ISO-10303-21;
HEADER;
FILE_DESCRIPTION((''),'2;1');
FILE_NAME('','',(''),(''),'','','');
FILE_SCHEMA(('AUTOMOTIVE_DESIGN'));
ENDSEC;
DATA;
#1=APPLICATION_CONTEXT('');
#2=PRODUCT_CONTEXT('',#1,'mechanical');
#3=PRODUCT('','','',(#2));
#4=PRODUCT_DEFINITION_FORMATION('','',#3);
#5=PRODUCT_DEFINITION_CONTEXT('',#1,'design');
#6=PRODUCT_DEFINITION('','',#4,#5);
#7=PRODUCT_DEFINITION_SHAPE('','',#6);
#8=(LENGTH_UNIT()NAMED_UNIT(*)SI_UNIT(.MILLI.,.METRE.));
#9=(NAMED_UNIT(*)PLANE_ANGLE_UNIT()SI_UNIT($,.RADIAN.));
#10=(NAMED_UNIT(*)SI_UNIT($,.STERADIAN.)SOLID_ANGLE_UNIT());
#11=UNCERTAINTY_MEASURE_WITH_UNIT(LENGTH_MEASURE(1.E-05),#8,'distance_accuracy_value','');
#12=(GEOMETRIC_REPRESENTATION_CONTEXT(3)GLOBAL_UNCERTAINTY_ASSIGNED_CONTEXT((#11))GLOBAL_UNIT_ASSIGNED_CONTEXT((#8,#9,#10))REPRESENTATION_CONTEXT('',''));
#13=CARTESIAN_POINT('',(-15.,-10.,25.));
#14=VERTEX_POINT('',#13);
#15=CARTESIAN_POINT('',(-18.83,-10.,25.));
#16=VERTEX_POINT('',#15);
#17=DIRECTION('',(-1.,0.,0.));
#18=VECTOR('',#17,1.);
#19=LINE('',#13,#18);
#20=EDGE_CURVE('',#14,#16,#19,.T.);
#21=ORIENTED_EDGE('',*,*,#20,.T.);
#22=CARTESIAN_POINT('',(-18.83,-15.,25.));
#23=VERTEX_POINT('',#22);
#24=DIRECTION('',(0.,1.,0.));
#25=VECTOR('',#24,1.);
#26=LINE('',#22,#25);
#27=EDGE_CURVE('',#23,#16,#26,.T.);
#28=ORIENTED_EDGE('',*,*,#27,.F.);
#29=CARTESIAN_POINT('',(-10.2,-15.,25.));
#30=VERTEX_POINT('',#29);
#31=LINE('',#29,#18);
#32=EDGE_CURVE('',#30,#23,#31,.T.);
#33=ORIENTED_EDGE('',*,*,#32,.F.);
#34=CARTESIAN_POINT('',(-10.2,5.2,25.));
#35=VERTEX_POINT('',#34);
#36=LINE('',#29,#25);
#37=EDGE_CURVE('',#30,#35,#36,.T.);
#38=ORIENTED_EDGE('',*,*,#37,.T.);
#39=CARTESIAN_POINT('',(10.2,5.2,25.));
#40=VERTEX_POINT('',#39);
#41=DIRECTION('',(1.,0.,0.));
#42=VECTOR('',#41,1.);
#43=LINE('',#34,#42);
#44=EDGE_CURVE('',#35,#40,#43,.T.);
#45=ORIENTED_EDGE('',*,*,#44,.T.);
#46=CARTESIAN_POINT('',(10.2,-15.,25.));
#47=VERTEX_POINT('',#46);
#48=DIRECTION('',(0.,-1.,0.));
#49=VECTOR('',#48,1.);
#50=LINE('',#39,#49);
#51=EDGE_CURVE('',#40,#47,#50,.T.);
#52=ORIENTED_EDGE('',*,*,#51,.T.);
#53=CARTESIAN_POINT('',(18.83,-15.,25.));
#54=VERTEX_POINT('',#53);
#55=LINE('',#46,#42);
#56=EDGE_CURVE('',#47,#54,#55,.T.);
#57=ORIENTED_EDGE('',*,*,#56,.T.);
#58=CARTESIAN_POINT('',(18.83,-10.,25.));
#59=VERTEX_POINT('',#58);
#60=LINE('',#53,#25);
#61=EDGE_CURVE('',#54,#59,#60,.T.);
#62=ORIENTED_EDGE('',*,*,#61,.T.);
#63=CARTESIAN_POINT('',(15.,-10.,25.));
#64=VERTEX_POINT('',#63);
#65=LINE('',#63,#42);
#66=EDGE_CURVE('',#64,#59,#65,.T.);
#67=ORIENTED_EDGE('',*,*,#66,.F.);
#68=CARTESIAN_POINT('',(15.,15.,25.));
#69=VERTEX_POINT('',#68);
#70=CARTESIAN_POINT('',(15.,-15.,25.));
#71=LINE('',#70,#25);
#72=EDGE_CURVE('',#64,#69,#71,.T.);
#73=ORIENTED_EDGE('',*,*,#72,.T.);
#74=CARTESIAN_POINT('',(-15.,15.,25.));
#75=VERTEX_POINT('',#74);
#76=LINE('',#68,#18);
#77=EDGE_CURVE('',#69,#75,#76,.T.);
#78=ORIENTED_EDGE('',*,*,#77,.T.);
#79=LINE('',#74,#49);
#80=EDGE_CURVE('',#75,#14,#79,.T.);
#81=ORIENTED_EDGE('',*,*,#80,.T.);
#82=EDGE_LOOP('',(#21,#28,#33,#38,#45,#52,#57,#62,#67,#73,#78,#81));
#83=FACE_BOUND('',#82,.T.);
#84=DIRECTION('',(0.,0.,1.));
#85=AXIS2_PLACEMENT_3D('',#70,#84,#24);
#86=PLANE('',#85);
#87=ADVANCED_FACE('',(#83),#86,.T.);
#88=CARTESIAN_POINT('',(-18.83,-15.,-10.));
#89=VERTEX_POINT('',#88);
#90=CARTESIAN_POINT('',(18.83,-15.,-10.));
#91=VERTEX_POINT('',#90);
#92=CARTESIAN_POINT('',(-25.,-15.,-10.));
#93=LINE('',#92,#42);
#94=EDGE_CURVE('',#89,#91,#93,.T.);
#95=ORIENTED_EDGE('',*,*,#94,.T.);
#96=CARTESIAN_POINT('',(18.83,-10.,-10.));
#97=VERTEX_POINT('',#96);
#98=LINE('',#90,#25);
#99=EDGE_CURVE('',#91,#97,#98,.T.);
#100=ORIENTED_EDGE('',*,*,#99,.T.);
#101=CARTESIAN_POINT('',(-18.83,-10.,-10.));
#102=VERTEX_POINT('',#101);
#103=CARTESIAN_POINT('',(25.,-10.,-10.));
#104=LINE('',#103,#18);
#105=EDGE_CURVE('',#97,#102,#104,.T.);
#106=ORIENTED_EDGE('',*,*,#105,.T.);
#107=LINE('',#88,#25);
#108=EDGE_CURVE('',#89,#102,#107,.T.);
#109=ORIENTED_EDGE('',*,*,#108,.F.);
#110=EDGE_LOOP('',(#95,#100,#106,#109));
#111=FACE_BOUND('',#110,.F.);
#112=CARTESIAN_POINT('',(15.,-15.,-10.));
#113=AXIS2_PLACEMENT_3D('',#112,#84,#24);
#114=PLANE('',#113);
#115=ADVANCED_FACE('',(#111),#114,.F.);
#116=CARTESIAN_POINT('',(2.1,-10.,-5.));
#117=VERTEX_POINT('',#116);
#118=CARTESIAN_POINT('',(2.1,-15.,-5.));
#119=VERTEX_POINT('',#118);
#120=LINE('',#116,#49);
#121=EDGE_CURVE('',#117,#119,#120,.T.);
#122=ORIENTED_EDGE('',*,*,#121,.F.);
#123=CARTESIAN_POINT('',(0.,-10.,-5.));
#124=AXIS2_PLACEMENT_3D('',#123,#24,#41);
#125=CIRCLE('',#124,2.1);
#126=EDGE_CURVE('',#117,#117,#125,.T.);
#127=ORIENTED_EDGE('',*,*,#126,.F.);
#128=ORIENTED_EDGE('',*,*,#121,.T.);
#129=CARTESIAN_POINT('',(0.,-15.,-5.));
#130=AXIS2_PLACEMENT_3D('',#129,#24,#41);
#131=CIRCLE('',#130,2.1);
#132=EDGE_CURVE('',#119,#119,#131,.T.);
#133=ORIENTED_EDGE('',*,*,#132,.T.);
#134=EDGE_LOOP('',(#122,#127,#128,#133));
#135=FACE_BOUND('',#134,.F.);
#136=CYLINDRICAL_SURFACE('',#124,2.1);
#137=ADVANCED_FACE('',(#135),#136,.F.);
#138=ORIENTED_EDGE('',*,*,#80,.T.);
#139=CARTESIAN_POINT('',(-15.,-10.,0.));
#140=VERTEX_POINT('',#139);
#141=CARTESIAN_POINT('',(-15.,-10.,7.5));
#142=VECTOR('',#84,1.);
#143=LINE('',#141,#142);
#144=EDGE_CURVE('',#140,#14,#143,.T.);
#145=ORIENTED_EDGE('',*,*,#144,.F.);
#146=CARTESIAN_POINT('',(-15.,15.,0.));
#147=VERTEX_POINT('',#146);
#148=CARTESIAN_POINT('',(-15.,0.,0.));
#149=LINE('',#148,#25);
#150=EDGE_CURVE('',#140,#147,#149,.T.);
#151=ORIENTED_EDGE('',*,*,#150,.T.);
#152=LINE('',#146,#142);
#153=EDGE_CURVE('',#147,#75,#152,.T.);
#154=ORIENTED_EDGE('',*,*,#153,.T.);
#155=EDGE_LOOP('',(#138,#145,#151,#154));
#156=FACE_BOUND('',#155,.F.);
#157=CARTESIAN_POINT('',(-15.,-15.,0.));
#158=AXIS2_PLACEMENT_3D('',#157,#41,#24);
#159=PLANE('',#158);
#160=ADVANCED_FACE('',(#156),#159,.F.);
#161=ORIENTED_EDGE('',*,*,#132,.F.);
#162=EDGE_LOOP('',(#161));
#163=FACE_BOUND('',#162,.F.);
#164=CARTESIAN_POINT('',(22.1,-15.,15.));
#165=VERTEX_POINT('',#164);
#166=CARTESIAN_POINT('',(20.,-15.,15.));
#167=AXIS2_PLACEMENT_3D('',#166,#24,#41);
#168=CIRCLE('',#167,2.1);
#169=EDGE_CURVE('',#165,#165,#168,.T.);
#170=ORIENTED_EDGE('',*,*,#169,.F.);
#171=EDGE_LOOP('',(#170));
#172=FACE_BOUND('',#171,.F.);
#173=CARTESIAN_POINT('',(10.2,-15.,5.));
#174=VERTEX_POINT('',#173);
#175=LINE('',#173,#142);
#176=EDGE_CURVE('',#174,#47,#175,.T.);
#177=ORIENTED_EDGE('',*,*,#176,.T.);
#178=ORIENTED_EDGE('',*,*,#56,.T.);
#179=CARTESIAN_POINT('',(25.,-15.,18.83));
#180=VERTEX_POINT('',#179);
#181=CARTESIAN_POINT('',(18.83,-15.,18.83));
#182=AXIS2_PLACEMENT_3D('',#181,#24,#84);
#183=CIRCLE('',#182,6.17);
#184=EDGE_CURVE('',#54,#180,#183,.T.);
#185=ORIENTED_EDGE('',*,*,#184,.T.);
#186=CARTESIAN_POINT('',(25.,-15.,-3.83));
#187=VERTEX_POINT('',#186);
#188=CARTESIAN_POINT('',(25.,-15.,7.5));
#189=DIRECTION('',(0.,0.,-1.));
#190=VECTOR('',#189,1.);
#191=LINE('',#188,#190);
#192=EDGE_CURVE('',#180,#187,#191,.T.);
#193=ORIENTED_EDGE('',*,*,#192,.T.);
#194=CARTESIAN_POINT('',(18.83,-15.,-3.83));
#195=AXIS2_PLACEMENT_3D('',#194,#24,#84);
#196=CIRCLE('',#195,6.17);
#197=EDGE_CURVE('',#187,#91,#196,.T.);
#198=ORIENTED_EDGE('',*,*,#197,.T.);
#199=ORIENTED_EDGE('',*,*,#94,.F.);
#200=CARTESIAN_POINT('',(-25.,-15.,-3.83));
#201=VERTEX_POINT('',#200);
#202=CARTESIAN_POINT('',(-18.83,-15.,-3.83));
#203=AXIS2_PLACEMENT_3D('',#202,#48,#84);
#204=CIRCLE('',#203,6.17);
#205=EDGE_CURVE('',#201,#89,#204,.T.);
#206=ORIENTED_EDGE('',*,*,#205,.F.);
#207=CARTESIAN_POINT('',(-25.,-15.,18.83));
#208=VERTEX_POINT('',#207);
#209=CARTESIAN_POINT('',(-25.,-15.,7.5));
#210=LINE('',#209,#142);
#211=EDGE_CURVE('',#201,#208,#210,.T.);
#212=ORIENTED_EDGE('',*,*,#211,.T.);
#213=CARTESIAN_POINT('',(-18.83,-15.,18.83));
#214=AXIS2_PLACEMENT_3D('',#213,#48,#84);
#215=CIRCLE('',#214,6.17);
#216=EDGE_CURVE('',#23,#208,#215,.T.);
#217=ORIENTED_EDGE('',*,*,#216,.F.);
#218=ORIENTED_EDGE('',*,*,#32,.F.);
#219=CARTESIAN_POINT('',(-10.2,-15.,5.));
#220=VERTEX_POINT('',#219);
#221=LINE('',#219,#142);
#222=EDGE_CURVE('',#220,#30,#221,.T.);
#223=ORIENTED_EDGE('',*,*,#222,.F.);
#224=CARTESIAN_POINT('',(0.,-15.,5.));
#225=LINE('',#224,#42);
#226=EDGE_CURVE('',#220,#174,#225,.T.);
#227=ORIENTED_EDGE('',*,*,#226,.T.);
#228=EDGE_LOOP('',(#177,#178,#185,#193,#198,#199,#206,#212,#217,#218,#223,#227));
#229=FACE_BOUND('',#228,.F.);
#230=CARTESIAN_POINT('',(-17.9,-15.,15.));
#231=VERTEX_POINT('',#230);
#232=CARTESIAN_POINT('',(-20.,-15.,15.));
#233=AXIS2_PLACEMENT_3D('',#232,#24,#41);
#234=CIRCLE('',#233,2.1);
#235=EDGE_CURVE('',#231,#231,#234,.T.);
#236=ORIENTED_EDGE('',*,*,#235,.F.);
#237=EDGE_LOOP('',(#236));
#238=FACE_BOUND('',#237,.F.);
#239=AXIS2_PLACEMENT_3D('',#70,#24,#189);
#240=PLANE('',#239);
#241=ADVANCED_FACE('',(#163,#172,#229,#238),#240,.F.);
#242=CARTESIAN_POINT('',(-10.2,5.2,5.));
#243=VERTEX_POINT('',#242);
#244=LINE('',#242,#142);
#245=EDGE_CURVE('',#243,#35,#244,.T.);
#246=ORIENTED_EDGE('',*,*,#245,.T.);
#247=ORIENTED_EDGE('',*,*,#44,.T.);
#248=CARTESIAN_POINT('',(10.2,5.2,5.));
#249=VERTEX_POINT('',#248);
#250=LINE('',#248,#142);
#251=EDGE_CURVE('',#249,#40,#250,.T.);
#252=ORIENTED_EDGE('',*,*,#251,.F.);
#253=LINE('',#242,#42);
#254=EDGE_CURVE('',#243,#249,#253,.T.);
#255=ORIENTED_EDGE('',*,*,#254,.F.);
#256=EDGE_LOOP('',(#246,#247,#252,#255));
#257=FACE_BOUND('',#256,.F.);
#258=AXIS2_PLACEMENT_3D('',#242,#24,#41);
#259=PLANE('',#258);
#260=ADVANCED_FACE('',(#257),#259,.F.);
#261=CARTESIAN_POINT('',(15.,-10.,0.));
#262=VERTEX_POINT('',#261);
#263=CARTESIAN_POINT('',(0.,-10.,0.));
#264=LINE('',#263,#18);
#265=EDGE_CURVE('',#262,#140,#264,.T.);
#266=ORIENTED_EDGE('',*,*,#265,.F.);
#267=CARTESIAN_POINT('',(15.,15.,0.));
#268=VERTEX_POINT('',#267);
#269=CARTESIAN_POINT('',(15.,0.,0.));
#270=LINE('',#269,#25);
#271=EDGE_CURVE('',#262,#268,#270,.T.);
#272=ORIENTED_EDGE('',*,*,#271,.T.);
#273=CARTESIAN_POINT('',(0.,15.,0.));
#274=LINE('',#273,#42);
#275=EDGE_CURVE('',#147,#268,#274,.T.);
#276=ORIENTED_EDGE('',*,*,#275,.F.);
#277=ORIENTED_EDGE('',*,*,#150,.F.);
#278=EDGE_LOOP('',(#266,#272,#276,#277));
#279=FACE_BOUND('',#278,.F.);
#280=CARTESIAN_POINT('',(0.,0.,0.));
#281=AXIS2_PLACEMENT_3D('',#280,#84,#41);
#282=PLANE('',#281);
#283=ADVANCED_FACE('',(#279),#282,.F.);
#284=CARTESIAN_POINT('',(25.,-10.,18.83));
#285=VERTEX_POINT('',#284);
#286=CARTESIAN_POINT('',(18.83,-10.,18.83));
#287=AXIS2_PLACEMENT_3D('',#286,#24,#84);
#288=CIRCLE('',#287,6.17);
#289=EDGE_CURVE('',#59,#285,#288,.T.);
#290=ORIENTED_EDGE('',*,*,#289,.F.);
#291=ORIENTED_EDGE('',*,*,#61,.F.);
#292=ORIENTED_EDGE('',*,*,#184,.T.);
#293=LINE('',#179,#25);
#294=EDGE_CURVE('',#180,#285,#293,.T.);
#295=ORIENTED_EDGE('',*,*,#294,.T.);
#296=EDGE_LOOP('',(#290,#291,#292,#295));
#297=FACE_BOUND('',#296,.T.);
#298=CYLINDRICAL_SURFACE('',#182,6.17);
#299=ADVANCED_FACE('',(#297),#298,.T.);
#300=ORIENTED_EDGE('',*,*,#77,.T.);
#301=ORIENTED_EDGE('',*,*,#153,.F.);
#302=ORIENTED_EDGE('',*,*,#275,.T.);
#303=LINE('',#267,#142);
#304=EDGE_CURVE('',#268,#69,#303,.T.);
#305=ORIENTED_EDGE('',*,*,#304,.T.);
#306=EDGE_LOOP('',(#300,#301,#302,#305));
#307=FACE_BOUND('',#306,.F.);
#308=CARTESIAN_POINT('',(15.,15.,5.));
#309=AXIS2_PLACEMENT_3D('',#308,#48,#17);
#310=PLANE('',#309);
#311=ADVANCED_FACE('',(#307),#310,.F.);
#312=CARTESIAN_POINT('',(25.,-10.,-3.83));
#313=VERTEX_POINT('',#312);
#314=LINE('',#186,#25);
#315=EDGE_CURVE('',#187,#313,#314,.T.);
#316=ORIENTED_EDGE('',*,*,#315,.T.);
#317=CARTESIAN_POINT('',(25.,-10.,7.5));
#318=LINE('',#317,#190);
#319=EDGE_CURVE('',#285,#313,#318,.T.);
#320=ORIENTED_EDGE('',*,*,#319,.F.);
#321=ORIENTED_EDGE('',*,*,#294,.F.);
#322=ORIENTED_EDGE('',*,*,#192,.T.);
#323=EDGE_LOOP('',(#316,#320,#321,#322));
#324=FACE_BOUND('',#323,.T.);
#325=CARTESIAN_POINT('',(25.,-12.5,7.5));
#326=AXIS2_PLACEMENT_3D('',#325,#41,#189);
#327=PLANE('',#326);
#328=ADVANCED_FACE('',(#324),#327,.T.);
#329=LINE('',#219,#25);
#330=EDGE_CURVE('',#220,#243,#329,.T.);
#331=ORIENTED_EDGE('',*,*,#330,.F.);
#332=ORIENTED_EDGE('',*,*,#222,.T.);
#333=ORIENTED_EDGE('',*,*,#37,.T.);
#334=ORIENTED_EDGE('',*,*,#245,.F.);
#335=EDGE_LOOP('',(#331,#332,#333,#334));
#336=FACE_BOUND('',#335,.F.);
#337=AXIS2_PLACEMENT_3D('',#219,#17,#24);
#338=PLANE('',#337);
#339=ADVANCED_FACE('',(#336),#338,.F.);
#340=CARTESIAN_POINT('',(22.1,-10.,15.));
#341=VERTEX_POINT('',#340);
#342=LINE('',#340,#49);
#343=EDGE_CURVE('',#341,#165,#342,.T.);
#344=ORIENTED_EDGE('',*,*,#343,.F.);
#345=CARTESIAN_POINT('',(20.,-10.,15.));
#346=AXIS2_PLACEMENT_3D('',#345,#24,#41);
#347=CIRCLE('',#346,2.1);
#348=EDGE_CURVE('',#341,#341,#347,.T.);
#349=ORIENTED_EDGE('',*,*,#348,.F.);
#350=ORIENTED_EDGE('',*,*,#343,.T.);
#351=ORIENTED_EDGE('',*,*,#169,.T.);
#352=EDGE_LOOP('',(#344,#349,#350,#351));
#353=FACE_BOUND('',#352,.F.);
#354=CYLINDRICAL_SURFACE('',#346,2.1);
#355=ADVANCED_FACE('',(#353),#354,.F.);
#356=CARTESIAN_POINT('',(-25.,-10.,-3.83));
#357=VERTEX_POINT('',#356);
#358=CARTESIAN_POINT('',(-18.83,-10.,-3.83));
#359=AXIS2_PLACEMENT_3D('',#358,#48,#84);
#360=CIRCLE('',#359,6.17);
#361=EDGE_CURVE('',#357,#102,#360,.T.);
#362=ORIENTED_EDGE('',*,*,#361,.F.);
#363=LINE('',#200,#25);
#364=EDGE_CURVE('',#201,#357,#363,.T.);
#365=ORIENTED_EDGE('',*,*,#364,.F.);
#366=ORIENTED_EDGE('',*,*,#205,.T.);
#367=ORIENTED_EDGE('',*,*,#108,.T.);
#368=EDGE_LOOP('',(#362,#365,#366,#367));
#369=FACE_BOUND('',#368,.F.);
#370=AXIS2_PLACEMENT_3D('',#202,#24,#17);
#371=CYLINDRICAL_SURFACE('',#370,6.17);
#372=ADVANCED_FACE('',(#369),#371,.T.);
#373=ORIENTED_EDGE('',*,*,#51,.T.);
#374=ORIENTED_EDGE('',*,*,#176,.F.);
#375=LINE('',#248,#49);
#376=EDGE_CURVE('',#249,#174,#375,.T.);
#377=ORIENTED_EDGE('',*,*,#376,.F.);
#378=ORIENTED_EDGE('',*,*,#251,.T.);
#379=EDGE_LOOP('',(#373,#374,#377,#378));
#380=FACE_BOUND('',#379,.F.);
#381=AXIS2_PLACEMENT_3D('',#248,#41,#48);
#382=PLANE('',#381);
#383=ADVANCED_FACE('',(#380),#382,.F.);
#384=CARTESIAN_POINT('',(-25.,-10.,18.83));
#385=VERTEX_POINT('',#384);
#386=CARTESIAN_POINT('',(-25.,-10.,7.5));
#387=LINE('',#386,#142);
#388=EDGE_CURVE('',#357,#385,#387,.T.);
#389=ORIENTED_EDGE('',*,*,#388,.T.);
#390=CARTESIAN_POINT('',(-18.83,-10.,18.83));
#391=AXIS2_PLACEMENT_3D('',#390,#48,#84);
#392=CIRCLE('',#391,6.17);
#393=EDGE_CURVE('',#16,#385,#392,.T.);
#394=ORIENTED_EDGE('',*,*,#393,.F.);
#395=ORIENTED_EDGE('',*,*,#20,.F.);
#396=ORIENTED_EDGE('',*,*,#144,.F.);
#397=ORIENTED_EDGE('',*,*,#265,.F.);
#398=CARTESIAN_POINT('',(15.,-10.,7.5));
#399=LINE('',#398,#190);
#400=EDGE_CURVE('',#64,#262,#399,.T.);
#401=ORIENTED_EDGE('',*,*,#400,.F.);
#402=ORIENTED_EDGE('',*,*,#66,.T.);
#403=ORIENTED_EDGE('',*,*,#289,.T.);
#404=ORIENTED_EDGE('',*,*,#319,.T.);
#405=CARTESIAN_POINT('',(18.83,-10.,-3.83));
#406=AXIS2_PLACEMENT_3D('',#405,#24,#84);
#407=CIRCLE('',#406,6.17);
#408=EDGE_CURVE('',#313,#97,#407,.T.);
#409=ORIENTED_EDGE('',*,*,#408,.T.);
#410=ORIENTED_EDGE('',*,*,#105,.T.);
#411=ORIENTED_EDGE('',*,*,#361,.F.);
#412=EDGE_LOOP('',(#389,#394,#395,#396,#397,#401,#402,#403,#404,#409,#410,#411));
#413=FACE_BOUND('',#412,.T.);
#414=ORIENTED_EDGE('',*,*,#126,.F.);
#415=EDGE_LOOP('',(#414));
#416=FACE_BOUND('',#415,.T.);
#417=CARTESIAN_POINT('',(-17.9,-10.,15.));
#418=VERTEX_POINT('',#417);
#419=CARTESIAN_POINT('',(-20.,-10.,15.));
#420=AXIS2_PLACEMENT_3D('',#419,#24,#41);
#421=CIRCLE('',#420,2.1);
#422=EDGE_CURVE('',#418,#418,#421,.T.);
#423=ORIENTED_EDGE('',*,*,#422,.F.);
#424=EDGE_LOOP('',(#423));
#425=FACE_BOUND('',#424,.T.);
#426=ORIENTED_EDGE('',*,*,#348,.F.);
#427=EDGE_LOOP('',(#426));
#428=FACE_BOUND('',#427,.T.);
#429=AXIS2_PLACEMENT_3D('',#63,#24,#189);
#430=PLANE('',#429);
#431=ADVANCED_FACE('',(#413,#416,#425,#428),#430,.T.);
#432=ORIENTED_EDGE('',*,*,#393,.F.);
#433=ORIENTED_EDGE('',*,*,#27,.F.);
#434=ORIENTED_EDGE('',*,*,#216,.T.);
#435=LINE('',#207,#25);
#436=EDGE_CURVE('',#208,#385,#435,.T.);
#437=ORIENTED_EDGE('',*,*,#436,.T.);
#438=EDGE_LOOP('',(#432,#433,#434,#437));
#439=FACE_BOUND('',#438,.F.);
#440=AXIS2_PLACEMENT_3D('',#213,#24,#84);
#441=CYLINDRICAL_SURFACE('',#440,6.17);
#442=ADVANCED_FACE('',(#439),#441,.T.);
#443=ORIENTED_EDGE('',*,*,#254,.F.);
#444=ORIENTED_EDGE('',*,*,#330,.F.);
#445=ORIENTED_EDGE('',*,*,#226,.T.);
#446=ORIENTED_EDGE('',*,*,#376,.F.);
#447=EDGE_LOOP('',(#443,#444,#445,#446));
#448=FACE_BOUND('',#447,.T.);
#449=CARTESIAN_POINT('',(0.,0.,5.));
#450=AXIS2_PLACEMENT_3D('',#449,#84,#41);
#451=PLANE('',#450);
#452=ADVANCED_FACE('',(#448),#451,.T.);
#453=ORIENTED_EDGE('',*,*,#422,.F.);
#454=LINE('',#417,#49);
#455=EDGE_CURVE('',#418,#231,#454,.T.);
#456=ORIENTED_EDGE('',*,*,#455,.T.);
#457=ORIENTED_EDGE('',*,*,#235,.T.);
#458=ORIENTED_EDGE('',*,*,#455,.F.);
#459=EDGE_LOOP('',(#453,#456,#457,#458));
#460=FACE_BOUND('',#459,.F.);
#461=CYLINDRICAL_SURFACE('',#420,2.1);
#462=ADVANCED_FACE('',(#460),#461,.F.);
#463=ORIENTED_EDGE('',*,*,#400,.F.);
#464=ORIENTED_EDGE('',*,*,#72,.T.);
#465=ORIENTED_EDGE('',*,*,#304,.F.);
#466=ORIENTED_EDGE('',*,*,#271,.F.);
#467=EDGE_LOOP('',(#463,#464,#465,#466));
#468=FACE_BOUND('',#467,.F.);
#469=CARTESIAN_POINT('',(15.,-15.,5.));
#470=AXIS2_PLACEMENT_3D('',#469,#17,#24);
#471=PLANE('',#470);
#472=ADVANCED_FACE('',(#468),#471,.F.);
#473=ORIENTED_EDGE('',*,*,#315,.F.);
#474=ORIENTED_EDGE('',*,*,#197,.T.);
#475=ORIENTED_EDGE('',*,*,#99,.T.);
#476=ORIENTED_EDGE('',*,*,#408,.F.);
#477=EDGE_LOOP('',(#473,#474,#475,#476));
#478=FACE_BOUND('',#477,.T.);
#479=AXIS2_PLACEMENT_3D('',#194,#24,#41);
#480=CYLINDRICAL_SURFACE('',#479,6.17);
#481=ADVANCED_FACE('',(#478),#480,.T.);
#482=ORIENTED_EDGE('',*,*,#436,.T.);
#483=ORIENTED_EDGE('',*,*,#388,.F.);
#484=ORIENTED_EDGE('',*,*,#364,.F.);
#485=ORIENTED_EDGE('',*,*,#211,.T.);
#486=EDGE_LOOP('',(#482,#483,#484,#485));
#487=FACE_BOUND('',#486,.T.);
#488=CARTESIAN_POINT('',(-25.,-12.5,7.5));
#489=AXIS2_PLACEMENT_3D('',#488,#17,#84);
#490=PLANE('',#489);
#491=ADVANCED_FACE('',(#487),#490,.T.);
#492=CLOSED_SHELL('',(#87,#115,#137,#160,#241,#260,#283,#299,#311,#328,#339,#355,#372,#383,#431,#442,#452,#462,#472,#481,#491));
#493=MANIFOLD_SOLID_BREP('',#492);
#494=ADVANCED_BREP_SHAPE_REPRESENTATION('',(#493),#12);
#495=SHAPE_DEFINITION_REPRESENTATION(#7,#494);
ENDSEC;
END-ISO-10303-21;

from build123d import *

# Parameters (mm, degrees)
SKETCH_1_W          = 30
SKETCH_1_H          = 30
EXTRUDE_1_DEPTH     = 5
SKETCH_2_W          = 30
SKETCH_2_H          = 5
EXTRUDE_2_DEPTH     = 10
SKETCH_3_R          = 2.1
CUT_EXTRUDE_1_DEPTH = 5
EXTRUDE_3_DEPTH     = 20
SKETCH_5_W          = 35
SKETCH_5_H          = 5
EXTRUDE_4_DEPTH     = 10
SKETCH_6_W          = 35
SKETCH_6_H          = 5
EXTRUDE_5_DEPTH     = 10
SKETCH_7_R          = 2.1
CUT_EXTRUDE_2_DEPTH = 10
FILLET_1_R          = 6.17
FILLET_2_R          = 6.17
FILLET_3_R          = 6.17
FILLET_4_R          = 6.17


with BuildPart() as part:
    # 스케치1 → 보스-돌출1 (new body)
    with BuildSketch(Plane.XY):
        Rectangle(SKETCH_1_W, SKETCH_1_H)
    extrude(amount=EXTRUDE_1_DEPTH)

    # 스케치2 → 보스-돌출2 (add)
    with BuildSketch(Plane(origin=(0, 0, 0), x_dir=(-1, 0, 0), z_dir=(0, 0, -1))):
        with Locations((0, -12.5)):
            Rectangle(SKETCH_2_W, SKETCH_2_H)
    extrude(amount=EXTRUDE_2_DEPTH)

    # 스케치3 → 컷-돌출1 (cut)
    with BuildSketch(Plane(origin=(0, -10, 0), x_dir=(1, 0, 0), z_dir=(0, 1, 0))):
        with Locations((0, 5)):
            Circle(SKETCH_3_R)
    extrude(amount=-CUT_EXTRUDE_1_DEPTH, mode=Mode.SUBTRACT)

    # 스케치4 → 보스-돌출3 (add)
    with BuildSketch(Plane.XY.offset(5)):
        Polygon((10.2, -15), (15, -15), (15, 15), (-15, 15), (-15, -15), (-10.2, -15), (-10.2, 5.2), (10.2, 5.2), align=None)
    extrude(amount=EXTRUDE_3_DEPTH)

    # 스케치5 → 보스-돌출4 (add)
    with BuildSketch(Plane.ZY.offset(15)):
        with Locations((7.5, -12.5)):
            Rectangle(SKETCH_5_W, SKETCH_5_H)
    extrude(amount=EXTRUDE_4_DEPTH)

    # 스케치6 → 보스-돌출5 (add)
    with BuildSketch(Plane(origin=(15, 0, 0), x_dir=(0, 0, -1), z_dir=(1, 0, 0))):
        with Locations((-7.5, -12.5)):
            Rectangle(SKETCH_6_W, SKETCH_6_H)
    extrude(amount=EXTRUDE_5_DEPTH)

    # 스케치7 → 컷-돌출2 (cut)
    with BuildSketch(Plane(origin=(0, -10, 0), x_dir=(1, 0, 0), z_dir=(0, 1, 0))):
        with Locations((-20, -15)):
            Circle(SKETCH_7_R)
        with Locations((20, -15)):
            Circle(SKETCH_7_R)
    extrude(amount=-CUT_EXTRUDE_2_DEPTH, mode=Mode.SUBTRACT)

    # 필렛1
    fillet_1_edges = [part.edges().sort_by_distance(p)[0] for p in [
        (25, -12.5, 25),
    ]]
    fillet(fillet_1_edges, radius=FILLET_1_R)

    # 필렛2
    fillet_2_edges = [part.edges().sort_by_distance(p)[0] for p in [
        (25, -12.5, -10),
    ]]
    fillet(fillet_2_edges, radius=FILLET_2_R)

    # 필렛3
    fillet_3_edges = [part.edges().sort_by_distance(p)[0] for p in [
        (-25, -12.5, 25),
    ]]
    fillet(fillet_3_edges, radius=FILLET_3_R)

    # 필렛4
    fillet_4_edges = [part.edges().sort_by_distance(p)[0] for p in [
        (-25, -12.5, -10),
    ]]
    fillet(fillet_4_edges, radius=FILLET_4_R)


solid = part.part
